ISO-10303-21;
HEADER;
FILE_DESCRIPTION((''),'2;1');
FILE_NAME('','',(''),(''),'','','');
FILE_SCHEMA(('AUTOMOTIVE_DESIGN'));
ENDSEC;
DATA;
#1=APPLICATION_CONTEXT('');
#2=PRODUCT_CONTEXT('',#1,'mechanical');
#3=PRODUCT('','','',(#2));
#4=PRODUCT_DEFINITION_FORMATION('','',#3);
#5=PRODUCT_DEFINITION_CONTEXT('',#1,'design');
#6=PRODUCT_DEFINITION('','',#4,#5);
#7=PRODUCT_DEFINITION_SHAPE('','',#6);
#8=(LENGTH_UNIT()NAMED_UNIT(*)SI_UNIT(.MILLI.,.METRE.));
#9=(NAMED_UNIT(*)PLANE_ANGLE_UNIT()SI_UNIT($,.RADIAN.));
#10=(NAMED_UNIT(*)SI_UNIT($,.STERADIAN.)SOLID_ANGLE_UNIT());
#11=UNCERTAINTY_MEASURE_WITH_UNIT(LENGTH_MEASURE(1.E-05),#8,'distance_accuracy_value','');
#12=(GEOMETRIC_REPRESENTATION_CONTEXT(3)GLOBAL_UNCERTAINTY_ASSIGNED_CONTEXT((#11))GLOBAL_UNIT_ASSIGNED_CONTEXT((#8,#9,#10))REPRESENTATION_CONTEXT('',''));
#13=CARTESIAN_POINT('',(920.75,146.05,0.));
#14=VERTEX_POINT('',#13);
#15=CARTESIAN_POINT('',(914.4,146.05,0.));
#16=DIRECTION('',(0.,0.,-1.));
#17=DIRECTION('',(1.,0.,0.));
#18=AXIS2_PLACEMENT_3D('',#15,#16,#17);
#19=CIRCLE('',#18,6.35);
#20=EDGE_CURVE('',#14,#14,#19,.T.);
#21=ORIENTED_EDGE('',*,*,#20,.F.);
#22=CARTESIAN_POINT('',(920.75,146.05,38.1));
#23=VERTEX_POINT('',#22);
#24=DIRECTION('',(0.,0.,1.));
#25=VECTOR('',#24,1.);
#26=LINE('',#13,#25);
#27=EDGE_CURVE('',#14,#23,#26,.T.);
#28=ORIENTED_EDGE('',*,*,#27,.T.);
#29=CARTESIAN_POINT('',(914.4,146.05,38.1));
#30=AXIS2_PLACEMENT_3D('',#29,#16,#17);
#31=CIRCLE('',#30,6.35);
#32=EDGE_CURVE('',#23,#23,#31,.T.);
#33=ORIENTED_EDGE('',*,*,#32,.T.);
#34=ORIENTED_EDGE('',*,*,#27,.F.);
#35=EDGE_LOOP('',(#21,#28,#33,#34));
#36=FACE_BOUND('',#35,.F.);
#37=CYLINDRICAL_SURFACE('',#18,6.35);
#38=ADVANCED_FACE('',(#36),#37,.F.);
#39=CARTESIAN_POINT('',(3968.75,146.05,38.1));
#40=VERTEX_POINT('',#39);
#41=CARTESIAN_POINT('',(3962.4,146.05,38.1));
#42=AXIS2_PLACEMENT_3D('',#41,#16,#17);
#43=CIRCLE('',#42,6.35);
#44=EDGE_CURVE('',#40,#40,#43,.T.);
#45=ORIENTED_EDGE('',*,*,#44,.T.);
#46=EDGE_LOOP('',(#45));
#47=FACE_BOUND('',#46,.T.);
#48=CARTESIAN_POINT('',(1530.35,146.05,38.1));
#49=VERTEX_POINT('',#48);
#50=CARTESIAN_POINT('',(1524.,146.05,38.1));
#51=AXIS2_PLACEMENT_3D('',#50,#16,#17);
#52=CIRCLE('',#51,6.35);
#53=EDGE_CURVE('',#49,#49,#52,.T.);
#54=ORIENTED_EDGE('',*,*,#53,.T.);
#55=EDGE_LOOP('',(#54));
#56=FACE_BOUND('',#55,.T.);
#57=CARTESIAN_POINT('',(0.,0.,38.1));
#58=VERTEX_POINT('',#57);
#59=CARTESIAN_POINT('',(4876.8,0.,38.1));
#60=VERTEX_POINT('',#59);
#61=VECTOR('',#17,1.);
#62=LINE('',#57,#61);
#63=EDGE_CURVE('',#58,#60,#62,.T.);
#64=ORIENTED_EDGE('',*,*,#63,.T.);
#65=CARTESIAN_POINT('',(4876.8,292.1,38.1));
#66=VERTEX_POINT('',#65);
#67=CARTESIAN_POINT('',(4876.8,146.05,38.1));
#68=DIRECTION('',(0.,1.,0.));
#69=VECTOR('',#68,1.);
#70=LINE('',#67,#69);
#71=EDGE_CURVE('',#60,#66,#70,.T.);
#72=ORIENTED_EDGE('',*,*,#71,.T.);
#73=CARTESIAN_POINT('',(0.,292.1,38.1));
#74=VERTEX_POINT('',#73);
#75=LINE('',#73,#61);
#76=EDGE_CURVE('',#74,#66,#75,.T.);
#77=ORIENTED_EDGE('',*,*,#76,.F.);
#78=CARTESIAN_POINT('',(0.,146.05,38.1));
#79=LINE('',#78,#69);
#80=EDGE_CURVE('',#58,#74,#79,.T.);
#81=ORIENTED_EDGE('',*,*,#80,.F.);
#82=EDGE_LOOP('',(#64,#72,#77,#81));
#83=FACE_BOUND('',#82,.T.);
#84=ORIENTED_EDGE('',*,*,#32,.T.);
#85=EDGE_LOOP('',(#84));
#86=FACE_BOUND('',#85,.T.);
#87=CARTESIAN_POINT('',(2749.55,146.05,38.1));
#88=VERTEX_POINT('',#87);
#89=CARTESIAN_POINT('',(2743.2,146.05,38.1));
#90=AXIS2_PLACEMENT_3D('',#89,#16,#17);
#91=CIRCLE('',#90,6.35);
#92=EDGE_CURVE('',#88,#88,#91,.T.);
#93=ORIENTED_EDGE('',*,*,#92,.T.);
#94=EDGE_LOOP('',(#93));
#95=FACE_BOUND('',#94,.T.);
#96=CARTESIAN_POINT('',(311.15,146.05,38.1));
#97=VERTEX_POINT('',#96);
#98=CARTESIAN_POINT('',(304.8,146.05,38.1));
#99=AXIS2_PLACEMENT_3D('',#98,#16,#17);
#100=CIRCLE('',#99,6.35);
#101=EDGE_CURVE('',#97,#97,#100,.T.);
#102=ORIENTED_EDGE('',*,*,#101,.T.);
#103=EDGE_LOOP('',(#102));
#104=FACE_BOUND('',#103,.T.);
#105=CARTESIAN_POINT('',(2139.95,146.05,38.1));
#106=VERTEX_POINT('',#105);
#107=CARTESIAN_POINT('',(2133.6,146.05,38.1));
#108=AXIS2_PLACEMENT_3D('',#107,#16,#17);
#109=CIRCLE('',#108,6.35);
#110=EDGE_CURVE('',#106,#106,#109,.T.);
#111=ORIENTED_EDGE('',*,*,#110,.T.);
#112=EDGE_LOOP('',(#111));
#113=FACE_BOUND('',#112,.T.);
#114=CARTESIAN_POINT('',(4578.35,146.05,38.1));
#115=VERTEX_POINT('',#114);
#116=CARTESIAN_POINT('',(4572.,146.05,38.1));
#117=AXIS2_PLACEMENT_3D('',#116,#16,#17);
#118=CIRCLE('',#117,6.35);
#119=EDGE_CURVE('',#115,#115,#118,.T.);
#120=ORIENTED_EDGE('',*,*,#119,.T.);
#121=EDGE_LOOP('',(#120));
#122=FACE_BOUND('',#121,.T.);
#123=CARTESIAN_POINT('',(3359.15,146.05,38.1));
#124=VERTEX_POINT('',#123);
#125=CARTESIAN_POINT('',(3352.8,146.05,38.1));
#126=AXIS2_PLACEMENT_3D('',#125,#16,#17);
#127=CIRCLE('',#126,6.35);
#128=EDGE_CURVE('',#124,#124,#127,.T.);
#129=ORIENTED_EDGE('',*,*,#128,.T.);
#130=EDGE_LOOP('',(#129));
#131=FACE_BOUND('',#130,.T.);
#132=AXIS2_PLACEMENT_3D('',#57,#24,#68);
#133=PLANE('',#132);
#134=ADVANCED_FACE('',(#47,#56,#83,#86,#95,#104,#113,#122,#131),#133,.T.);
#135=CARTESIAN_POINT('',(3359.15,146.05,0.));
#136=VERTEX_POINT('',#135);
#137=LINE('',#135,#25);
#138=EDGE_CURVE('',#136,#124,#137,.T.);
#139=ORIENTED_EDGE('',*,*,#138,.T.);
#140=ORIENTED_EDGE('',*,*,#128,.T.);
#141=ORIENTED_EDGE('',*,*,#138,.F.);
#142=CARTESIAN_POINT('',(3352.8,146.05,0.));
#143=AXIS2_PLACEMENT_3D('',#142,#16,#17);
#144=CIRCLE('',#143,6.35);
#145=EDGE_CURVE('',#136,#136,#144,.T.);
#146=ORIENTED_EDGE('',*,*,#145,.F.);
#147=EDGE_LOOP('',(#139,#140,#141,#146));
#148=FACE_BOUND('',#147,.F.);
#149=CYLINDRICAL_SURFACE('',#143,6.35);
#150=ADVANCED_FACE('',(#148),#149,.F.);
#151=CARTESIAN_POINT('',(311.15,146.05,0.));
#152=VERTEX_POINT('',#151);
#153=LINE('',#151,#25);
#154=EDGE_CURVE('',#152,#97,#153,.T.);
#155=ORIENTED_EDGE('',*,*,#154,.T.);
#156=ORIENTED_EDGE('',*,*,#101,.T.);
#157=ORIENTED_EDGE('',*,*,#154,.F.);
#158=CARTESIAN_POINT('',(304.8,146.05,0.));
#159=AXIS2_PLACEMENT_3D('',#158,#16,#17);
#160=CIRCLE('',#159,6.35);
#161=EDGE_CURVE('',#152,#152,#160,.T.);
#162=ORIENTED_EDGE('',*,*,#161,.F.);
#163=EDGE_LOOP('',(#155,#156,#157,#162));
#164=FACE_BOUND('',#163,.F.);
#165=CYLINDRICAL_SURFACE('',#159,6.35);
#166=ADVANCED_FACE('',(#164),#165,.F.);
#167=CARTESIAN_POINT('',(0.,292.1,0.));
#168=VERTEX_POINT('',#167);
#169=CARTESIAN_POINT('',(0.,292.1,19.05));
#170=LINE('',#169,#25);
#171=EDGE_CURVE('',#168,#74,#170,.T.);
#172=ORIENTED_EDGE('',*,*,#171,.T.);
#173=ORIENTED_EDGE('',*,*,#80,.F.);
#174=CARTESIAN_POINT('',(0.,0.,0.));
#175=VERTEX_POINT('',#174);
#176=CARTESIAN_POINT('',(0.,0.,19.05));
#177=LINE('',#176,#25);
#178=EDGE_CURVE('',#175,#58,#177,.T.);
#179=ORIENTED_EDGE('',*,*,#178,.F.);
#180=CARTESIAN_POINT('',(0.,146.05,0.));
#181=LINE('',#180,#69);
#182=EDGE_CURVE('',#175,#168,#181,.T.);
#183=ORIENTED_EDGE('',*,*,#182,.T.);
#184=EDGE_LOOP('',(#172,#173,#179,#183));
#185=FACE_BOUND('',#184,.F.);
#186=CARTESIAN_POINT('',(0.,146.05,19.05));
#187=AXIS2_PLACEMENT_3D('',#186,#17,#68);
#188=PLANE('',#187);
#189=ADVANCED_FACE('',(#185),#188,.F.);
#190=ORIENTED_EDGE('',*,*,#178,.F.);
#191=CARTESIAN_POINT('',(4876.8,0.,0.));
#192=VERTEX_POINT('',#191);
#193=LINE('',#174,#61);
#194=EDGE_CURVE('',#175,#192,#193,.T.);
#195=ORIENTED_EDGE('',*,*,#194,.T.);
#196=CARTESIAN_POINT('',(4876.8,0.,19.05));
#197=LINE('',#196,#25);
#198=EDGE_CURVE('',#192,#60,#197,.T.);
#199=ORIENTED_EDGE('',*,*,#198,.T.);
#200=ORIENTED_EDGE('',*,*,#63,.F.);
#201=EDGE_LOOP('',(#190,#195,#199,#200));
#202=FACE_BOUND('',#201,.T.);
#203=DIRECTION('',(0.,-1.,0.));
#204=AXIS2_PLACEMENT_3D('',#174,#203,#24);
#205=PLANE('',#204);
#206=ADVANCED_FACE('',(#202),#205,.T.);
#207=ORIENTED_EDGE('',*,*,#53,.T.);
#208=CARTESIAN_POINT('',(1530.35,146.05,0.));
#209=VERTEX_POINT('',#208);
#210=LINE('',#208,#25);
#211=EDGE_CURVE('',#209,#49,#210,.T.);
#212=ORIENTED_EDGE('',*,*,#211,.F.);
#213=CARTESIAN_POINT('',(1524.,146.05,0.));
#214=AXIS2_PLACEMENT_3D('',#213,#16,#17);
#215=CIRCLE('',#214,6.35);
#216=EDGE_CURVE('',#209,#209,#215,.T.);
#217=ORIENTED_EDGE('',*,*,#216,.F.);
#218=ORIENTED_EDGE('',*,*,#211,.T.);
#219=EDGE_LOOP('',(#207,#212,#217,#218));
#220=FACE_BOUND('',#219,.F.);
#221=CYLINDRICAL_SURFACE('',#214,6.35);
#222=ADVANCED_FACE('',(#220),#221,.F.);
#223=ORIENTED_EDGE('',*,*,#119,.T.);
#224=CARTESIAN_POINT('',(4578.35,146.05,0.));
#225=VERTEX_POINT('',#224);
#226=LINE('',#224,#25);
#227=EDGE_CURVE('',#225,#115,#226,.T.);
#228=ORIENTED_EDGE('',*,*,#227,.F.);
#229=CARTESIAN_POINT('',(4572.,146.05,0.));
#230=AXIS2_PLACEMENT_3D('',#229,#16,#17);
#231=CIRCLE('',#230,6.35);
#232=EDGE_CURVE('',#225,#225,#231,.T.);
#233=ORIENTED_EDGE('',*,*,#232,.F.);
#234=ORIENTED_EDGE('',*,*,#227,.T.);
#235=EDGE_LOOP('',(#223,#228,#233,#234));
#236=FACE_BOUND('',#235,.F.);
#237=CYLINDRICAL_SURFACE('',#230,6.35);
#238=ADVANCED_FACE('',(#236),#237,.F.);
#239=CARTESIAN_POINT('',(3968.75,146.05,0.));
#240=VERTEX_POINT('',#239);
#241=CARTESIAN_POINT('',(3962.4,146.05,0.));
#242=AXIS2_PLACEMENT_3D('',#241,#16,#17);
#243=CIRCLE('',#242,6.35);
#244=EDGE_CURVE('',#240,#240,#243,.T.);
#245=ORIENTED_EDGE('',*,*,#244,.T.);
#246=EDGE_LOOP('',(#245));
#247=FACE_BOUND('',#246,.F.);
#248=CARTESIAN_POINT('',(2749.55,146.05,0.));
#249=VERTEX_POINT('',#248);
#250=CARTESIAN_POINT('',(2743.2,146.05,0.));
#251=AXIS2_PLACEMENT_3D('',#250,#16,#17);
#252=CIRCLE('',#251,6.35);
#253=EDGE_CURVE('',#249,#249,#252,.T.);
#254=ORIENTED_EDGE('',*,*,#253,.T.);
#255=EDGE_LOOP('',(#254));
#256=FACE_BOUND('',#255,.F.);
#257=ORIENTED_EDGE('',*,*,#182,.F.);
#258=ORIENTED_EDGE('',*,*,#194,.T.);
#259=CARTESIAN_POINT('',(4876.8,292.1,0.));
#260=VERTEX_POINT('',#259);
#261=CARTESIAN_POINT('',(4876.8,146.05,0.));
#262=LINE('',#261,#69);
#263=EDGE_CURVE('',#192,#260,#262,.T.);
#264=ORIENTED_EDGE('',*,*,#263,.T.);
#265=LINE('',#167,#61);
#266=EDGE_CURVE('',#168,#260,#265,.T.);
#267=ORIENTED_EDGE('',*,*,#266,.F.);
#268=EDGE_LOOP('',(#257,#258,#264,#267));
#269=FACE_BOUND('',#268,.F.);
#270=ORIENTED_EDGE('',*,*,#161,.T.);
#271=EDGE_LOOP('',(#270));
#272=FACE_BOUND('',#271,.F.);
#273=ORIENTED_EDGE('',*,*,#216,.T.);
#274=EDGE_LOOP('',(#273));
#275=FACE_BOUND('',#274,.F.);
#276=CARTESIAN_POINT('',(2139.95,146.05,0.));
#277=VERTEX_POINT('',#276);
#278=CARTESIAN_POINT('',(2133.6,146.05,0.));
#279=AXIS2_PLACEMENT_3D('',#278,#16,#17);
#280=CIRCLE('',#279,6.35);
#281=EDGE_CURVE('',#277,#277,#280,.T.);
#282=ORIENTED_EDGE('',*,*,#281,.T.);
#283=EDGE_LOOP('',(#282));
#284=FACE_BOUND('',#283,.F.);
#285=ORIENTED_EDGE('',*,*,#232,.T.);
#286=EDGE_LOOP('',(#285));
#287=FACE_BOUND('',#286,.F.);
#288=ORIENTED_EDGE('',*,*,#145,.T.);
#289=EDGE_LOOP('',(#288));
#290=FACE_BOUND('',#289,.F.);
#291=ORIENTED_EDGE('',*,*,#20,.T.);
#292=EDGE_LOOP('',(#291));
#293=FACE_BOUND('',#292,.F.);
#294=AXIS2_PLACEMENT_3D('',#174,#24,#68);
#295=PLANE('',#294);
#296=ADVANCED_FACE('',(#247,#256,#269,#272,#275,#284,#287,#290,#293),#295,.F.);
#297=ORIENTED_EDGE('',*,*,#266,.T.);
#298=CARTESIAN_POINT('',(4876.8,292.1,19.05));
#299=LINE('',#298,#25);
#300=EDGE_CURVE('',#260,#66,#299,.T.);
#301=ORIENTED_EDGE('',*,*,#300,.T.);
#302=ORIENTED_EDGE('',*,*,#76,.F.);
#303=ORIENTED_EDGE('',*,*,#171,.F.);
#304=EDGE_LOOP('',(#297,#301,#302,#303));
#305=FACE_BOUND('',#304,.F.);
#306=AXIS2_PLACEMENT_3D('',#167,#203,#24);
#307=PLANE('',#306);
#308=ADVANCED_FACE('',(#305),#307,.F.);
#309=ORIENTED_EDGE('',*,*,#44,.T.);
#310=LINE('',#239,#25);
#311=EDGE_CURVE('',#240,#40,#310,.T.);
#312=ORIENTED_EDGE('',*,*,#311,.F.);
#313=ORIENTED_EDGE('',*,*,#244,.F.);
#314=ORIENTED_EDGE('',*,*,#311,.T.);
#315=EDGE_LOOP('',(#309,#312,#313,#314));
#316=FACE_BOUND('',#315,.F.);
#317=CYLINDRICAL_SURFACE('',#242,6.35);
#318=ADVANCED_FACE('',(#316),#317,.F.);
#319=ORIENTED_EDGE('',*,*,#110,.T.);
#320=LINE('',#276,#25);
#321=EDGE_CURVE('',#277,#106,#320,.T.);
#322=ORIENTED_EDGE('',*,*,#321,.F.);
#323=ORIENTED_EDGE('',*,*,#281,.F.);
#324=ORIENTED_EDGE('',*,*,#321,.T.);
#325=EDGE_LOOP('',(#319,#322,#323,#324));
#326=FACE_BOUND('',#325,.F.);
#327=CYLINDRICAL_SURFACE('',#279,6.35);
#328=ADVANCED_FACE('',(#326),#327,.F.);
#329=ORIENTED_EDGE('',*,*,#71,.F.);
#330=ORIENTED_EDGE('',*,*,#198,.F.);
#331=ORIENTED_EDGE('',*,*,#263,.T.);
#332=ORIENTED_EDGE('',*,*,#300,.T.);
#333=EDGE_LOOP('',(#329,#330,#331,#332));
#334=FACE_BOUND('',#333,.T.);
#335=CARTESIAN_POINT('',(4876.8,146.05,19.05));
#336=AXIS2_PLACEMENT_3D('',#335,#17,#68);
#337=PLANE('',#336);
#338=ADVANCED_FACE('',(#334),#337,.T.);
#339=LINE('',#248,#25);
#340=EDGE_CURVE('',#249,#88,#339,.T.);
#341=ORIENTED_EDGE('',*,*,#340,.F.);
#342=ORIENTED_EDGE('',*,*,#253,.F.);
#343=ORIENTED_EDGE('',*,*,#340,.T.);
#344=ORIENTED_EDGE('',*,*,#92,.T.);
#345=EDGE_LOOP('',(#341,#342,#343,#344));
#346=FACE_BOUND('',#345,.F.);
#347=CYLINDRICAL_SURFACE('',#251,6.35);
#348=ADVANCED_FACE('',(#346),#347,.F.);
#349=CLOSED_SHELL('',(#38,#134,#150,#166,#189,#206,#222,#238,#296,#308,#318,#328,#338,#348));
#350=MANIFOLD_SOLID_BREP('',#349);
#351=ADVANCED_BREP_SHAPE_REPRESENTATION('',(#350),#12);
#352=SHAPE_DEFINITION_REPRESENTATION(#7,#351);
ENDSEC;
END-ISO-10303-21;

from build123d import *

# Parameters (mm, degrees)
F0_W     = 292.1
F0_H     = 38.1
F1_DEPTH = 4876.8
F2_R     = 6.35
F3_DEPTH = 38.101


with BuildPart() as f1:
    # F0 (on Right) → F1 (new body)
    with BuildSketch(Plane.YZ):
        with Locations((146.05, 19.05)):
            Rectangle(F0_W, F0_H)
    extrude(amount=F1_DEPTH)

    # F2 (on face) → F3 (cut, through all)
    with BuildSketch(Plane(origin=(0, 0, 0), x_dir=(1, 0, 0), z_dir=(0, 0, -1))):
        with Locations((304.8, -146.05)):
            Circle(F2_R)
        with Locations((914.4, -146.05)):
            Circle(F2_R)
        with Locations((1524, -146.05)):
            Circle(F2_R)
        with Locations((3962.4, -146.05)):
            Circle(F2_R)
        with Locations((2133.6, -146.05)):
            Circle(F2_R)
        with Locations((2743.2, -146.05)):
            Circle(F2_R)
        with Locations((3352.8, -146.05)):
            Circle(F2_R)
        with Locations((4572, -146.05)):
            Circle(F2_R)
    extrude(amount=-F3_DEPTH, mode=Mode.SUBTRACT)


solid = f1.part
